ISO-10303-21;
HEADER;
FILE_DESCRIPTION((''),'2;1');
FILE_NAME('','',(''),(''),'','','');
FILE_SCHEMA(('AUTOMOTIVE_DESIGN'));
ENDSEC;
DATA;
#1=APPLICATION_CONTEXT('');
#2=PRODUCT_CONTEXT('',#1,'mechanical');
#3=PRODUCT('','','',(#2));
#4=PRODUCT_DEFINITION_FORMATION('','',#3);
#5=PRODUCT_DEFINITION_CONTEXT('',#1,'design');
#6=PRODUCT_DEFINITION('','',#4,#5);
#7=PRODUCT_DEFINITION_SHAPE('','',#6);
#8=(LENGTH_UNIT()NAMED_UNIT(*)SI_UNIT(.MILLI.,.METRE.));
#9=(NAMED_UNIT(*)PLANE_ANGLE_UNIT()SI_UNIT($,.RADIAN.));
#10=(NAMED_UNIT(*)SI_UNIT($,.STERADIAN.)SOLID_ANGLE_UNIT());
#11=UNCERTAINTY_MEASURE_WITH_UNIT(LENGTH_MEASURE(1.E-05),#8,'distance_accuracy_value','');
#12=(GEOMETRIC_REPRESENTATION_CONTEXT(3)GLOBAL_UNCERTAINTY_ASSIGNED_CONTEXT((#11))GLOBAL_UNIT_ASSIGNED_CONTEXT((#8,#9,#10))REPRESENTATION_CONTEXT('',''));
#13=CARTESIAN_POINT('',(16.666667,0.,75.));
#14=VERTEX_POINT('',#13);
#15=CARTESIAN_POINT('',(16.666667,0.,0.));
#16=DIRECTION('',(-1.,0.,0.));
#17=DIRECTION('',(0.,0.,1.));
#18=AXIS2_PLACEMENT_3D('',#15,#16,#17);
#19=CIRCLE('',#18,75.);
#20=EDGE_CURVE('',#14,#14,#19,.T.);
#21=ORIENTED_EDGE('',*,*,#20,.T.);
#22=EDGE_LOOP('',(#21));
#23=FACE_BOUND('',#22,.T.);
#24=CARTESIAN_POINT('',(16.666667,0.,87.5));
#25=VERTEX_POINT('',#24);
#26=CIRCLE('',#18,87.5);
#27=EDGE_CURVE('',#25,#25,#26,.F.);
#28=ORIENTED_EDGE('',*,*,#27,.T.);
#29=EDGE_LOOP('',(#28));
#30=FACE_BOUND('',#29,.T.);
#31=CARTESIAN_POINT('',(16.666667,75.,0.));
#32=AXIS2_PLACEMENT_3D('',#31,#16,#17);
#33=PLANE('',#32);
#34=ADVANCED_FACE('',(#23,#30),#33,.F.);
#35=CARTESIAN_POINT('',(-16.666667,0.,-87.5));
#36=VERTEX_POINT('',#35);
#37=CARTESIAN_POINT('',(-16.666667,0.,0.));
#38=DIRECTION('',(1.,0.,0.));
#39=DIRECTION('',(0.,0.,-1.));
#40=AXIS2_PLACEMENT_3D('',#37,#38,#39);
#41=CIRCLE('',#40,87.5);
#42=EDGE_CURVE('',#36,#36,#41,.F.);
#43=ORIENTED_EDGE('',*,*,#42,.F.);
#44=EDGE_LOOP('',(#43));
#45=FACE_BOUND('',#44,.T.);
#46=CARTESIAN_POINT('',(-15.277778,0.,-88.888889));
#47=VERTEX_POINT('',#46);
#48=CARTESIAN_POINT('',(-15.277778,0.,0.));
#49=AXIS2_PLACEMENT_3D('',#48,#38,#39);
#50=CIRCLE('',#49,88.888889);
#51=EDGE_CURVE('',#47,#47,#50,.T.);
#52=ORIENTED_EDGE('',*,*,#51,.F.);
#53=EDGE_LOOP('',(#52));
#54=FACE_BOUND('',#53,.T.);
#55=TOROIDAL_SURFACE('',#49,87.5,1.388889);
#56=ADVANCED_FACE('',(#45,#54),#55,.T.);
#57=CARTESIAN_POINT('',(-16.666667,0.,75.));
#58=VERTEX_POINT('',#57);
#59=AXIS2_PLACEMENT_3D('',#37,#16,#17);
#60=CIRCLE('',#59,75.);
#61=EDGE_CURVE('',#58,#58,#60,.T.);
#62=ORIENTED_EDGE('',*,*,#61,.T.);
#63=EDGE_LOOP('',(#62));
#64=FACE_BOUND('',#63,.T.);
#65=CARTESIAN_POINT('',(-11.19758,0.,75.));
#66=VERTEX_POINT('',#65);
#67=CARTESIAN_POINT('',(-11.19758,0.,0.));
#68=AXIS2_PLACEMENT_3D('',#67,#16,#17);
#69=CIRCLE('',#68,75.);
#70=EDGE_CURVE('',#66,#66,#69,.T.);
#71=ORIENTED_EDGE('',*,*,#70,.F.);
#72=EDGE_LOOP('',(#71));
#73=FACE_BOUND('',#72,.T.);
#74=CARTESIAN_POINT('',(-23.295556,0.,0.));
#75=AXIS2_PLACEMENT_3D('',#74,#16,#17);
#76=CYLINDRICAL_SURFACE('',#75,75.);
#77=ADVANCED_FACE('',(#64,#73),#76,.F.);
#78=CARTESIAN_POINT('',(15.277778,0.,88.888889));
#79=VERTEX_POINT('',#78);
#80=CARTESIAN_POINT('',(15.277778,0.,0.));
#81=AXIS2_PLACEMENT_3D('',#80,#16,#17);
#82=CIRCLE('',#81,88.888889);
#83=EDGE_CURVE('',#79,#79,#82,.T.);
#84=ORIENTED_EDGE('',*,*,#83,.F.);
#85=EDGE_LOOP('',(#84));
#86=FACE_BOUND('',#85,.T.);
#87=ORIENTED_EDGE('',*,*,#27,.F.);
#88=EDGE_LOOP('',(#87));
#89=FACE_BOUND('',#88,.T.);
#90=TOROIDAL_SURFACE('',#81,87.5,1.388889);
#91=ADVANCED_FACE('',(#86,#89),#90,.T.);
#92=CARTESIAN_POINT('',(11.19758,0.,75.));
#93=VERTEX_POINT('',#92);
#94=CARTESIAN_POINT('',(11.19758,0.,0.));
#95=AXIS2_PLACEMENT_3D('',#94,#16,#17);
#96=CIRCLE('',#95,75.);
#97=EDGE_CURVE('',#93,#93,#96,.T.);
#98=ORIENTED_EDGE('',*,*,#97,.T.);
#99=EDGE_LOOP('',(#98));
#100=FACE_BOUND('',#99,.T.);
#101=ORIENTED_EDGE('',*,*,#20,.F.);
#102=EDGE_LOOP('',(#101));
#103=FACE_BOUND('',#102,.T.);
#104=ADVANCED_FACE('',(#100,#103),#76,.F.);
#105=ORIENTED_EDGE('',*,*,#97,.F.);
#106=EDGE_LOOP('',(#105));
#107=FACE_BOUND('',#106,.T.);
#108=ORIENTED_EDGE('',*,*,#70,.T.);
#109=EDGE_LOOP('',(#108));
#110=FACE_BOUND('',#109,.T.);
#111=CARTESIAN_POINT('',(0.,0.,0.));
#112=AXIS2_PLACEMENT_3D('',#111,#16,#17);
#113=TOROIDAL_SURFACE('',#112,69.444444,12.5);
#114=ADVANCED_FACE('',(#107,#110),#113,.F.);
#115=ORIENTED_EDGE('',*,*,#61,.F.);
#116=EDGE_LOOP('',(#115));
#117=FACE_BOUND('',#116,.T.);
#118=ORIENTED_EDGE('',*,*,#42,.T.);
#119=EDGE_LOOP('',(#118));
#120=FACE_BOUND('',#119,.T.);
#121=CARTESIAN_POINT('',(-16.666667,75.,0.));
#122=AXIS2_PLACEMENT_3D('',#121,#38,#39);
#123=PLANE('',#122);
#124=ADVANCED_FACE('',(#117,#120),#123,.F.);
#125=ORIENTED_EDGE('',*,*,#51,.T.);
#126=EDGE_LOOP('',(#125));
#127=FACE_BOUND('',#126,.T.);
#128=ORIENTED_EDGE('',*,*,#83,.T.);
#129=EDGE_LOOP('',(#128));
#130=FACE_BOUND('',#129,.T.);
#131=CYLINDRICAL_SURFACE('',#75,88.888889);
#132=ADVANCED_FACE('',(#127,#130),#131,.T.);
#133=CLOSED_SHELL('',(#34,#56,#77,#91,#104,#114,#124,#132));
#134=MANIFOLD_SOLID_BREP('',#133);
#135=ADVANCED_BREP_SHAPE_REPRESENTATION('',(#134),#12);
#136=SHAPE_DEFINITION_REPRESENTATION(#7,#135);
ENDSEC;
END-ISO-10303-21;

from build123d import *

# Parameters (mm, degrees)
FILLET1_R    = 5
SCALE1_SCALE = 0.277777778


with BuildPart() as part:
    # Sketch2 → Revolve1 (revolve)
    with BuildSketch(Plane.XY, mode=Mode.PRIVATE) as revolve1_sk:
        with BuildLine():
            Line((40.311288741, 270), (60, 270))
            Line((60, 270), (60, 320))
            Line((60, 320), (-60, 320))
            Line((-60, 320), (-60, 270))
            Line((-60, 270), (-40.311288741, 270))
            ThreePointArc((-40.311288741, 270), (0, 295), (40.311288741, 270))
        make_face()
    revolve(revolve1_sk.sketch.rotate(Axis((-83.864002629, 0, 0), (1, 0, 0)), 90), axis=Axis((-83.864002629, 0, 0), (1, 0, 0)))

    # Fillet1
    fillet1_edges = [part.edges().sort_by_distance(p)[0] for p in [
        (-60, 0, -320),
        (60, 0, -320),
    ]]
    fillet(fillet1_edges, radius=FILLET1_R)


with BuildPart() as part_1:
    # Scale1: scaled about (0, 0, 0)
    add(part.part.scale(SCALE1_SCALE))


solid = part_1.part
